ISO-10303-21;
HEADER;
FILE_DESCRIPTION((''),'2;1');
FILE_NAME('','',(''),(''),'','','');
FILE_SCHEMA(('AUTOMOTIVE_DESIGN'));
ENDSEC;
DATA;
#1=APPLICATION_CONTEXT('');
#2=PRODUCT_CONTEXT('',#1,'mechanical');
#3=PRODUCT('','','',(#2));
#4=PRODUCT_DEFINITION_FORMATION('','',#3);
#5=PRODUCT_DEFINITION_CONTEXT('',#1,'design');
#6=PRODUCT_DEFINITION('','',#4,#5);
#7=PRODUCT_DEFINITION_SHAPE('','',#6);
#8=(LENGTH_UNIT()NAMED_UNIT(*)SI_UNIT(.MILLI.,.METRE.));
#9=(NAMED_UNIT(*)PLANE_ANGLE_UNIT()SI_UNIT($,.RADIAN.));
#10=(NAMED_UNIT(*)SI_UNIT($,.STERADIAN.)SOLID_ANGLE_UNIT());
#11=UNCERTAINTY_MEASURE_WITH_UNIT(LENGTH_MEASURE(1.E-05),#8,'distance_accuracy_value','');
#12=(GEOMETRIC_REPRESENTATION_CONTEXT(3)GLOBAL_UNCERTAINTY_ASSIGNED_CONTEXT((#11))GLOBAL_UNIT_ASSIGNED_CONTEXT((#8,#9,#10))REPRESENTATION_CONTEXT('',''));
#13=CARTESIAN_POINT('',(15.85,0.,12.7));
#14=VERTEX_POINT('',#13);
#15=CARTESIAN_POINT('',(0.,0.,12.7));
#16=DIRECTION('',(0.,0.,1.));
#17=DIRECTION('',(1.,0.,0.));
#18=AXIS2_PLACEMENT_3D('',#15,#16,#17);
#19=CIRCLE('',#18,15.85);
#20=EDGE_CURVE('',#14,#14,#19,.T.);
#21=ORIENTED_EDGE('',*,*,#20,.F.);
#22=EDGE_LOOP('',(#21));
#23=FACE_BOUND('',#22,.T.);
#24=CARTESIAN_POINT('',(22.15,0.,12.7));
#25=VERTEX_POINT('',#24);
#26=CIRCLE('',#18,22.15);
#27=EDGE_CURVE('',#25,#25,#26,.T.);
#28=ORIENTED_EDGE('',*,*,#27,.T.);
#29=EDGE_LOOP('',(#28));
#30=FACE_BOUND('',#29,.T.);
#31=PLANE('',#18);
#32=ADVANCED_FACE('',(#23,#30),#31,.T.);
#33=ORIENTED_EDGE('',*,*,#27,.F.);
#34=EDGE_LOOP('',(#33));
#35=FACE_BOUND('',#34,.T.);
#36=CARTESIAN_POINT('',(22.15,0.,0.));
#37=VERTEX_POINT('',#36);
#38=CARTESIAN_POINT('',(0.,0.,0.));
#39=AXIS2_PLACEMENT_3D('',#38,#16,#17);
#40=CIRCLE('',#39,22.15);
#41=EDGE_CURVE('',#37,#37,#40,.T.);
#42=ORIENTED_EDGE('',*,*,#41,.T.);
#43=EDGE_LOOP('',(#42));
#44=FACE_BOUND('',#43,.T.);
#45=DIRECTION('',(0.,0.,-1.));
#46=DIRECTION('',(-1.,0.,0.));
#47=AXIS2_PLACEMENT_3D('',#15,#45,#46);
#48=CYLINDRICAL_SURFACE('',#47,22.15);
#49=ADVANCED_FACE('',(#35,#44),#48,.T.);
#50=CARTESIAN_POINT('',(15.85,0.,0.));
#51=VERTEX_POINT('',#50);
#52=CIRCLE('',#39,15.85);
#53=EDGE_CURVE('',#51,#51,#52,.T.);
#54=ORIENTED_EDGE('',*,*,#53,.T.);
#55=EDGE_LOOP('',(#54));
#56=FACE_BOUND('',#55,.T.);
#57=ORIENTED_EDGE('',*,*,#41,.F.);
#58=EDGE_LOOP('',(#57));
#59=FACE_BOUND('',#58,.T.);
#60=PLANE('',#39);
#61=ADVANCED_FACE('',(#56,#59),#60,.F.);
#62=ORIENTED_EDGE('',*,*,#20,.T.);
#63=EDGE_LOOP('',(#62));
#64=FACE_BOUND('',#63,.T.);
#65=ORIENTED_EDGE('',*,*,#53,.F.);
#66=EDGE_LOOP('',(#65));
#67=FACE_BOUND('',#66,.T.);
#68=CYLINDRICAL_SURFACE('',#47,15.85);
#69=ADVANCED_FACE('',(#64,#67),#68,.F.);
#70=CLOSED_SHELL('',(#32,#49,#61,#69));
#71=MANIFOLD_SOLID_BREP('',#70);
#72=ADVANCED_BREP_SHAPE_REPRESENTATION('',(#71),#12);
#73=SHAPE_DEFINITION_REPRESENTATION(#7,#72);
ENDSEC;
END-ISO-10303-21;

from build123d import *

# Parameters (mm, degrees)
SKETCH1_R           = 22.15
SKETCH1_R_2         = 15.85
BOSS_EXTRUDE1_DEPTH = 12.7


with BuildPart() as part:
    # Sketch1 → Boss-Extrude1 (new body)
    with BuildSketch(Plane.XY):
        Circle(SKETCH1_R)
        Circle(SKETCH1_R_2, mode=Mode.SUBTRACT)
    extrude(amount=BOSS_EXTRUDE1_DEPTH)


solid = part.part
